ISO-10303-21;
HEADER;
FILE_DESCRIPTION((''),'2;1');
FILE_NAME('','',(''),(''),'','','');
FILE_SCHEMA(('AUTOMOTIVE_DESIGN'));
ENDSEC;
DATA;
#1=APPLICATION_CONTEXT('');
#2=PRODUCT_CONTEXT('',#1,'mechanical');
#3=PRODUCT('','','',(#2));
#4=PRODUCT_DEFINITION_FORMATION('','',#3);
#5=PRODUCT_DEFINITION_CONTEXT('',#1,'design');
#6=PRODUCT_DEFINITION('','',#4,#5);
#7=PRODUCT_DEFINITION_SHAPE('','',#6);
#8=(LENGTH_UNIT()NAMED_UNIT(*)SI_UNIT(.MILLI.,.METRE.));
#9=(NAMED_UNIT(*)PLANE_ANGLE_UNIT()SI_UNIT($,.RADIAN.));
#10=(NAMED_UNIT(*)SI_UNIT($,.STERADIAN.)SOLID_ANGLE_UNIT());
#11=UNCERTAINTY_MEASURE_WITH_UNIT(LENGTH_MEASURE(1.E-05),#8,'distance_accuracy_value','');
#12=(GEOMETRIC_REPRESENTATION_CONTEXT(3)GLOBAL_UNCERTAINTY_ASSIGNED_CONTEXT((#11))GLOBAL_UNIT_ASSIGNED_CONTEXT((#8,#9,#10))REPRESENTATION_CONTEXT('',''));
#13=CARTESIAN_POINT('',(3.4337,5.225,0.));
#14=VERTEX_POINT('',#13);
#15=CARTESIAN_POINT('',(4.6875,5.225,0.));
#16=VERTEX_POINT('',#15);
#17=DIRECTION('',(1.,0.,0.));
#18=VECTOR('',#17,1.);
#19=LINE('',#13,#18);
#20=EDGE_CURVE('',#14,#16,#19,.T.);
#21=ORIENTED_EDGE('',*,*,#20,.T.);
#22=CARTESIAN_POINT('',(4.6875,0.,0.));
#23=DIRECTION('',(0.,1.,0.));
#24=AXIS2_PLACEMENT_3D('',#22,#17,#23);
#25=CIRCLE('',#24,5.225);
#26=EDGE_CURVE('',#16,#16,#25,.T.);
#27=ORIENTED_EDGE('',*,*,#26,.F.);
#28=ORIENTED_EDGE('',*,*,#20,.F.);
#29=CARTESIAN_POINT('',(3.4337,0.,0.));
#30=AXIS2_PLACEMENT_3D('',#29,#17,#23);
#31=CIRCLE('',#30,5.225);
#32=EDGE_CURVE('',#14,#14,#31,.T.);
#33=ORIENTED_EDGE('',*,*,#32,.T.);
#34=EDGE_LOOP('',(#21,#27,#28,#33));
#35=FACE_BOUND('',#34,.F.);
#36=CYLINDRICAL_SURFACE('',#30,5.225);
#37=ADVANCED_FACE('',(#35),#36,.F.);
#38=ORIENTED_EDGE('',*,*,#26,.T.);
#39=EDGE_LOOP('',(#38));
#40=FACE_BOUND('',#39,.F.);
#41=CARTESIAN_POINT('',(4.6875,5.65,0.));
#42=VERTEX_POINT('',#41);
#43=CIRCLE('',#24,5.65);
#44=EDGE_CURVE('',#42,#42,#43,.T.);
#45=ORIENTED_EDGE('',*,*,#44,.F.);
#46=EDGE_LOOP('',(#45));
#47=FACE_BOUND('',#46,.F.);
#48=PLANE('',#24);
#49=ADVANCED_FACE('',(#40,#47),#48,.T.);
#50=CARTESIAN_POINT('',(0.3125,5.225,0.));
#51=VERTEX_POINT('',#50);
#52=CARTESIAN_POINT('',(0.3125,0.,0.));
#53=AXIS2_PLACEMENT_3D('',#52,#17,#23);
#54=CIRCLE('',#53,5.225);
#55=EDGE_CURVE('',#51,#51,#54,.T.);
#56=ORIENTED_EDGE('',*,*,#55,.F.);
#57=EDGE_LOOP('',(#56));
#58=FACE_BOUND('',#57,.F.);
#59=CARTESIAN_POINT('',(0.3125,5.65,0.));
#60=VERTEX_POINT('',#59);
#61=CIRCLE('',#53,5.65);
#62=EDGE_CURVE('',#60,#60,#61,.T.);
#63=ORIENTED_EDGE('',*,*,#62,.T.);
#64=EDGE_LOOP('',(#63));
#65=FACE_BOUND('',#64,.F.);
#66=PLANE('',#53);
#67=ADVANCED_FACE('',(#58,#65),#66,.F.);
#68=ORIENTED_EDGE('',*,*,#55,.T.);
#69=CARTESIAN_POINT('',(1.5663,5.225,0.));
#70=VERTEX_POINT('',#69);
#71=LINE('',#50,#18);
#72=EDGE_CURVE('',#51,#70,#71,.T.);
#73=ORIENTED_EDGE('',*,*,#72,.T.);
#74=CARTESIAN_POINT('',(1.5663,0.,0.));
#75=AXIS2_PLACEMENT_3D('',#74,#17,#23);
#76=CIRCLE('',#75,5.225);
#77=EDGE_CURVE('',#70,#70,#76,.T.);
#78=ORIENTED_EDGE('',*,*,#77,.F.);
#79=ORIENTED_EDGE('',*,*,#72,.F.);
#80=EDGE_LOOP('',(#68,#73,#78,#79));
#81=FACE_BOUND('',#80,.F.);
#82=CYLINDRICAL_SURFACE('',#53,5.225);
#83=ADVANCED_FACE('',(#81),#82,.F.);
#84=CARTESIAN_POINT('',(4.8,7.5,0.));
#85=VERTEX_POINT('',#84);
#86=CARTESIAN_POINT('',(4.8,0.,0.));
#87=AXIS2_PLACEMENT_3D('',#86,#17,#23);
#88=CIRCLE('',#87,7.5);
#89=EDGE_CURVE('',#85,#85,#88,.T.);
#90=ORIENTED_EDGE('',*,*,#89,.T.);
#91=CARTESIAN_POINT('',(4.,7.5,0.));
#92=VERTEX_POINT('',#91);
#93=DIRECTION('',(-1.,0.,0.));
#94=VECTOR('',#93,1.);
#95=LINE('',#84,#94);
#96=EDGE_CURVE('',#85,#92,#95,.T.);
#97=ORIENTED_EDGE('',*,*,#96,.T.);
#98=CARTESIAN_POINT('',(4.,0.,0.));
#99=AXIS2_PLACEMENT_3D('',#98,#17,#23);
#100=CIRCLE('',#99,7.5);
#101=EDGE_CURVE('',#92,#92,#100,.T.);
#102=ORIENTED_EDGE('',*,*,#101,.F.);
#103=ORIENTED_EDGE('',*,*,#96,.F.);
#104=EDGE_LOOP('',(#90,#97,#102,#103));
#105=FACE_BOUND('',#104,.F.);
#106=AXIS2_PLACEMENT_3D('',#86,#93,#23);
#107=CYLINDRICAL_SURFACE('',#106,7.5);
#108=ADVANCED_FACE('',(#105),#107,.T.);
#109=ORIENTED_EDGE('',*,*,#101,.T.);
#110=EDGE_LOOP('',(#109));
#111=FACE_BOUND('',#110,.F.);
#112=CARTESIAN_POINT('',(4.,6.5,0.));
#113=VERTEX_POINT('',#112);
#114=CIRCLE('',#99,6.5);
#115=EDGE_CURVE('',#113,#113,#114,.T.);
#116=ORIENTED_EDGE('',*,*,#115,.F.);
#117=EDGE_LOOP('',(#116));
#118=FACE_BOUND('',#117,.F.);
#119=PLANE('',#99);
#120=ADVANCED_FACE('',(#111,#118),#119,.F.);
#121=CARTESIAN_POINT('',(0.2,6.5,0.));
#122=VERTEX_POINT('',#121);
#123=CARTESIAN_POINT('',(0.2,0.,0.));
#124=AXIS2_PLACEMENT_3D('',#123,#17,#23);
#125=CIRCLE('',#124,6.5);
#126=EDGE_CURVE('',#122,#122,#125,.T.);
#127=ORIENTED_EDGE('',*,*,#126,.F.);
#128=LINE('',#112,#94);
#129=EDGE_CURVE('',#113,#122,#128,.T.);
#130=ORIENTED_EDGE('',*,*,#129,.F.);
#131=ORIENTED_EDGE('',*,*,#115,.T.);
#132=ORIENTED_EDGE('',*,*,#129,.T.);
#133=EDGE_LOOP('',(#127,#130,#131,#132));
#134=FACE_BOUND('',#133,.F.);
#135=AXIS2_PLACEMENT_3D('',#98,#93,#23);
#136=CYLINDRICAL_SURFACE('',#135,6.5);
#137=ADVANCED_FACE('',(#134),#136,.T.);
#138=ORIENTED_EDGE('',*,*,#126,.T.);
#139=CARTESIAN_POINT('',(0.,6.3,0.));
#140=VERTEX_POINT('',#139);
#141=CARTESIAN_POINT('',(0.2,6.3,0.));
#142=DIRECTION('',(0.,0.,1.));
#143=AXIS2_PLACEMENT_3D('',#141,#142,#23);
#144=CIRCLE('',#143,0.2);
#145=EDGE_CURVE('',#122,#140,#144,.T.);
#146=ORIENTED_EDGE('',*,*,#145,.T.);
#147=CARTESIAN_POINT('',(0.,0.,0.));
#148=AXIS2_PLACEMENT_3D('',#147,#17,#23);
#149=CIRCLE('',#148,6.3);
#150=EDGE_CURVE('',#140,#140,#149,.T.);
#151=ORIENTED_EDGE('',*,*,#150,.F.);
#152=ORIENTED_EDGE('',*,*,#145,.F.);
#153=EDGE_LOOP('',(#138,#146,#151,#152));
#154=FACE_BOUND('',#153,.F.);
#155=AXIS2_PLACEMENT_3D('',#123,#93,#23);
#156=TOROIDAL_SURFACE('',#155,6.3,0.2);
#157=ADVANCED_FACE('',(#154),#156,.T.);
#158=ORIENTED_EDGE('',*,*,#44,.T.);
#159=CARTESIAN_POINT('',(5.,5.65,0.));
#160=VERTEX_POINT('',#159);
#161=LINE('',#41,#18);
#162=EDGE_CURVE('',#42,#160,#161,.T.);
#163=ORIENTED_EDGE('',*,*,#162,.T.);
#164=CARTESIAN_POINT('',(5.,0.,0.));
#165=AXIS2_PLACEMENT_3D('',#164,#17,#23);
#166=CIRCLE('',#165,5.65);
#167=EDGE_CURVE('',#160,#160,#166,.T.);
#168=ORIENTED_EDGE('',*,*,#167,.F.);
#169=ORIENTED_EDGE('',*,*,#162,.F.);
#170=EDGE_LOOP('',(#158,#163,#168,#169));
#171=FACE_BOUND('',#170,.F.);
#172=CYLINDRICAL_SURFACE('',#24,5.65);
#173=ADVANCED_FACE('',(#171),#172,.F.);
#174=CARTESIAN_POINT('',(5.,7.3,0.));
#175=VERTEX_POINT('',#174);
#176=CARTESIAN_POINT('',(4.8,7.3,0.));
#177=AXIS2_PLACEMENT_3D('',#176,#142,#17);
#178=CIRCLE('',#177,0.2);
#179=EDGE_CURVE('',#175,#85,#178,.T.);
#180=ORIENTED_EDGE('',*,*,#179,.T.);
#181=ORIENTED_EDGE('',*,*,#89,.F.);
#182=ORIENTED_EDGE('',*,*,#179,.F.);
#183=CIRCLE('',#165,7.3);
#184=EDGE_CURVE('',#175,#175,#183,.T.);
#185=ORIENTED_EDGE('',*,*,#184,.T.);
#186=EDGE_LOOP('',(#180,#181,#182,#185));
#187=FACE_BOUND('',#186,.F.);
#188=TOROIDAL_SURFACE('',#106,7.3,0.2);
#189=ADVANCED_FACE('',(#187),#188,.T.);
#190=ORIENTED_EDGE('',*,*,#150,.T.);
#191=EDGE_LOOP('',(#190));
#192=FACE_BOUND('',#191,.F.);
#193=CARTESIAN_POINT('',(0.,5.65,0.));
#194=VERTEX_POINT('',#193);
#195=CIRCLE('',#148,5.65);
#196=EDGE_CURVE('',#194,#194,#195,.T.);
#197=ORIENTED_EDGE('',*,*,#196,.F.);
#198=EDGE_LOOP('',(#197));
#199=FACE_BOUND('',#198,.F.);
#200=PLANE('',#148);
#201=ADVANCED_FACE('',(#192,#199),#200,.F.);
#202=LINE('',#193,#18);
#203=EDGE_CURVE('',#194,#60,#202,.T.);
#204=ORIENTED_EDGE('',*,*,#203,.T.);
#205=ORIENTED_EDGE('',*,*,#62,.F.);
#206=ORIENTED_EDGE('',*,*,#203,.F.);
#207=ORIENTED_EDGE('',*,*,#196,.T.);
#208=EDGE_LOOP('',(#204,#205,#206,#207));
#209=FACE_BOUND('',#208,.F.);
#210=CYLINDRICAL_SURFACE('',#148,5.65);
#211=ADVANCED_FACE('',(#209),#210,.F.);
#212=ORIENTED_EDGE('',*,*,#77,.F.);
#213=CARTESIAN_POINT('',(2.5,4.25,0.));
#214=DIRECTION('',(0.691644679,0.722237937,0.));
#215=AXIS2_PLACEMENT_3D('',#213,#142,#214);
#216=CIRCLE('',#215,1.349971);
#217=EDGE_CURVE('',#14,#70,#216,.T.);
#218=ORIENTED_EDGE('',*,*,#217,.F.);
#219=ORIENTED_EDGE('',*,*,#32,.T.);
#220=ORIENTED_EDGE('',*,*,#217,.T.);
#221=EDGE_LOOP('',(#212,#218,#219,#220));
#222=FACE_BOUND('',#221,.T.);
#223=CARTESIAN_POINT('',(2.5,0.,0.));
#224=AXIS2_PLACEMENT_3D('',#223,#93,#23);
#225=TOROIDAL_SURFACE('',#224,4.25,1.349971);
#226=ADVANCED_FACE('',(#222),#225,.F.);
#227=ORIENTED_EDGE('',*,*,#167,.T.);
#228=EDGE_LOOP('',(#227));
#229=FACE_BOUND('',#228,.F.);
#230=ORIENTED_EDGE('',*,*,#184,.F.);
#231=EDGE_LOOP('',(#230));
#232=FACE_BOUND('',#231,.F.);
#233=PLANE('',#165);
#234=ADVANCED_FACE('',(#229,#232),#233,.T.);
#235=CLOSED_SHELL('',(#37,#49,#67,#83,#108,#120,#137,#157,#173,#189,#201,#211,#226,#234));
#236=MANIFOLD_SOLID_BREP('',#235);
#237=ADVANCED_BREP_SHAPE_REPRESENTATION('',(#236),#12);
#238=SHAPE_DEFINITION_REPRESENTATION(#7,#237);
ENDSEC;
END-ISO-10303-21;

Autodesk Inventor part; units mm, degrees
sketch "Sketch_1" plane through (0, 0, 0) normal (0, 0, 1) x (1, 0, 0)
  line L0 (5, 0) -> (0, 0)
  line L1 (0, 5.65) -> (0.3125, 5.65)
  line L2 (0.3125, 5.65) -> (0.3125, 5.225)
  line L3 (0.3125, 5.225) -> (1.5663, 5.225)
  arc A0 (3.4337, 5.225) -> (1.5663, 5.225) centre (2.5, 4.25) ccw
  line L4 (3.4337, 5.225) -> (4.6875, 5.225)
  line L5 (4.6875, 5.225) -> (4.6875, 5.65)
  line L6 (4.6875, 5.65) -> (5, 5.65)
  line L7 (5, 5.65) -> (5, 7.3)
  arc A1 (5, 7.3) -> (4.8, 7.5) centre (4.8, 7.3) ccw
  line L8 (4.8, 7.5) -> (4, 7.5)
  line L9 (4, 7.5) -> (4, 6.5)
  line L10 (4, 6.5) -> (0.2, 6.5)
  arc A2 (0.2, 6.5) -> (0, 6.3) centre (0.2, 6.3) ccw
  line L11 (0, 6.3) -> (0, 5.65)
revolve "Revolution1" add sketch "Sketch_1" angle 360 about axis through (5, 0, 0) along (1, 0, 0)
ref_plane "ip_st_1_XY" through (0, 0, 0) normal (1, 0, 0) x (0, 0, -1)
ref_plane "ip_st_1_YZ" through (0, 0, 0) normal (0, 0, -1) x (0, 1, 0)
ref_plane "ip_st_1_ZX" through (0, 0, 0) normal (0, 1, 0) x (1, 0, 0)
ref_plane "ip_st_2_XY" through (4.6875, 0, 0) normal (-1, 0, 0) x (0, 0, -1)
ref_plane "ip_st_2_YZ" through (4.6875, 0, 0) normal (0, 0, -1) x (0, -1, 0)
ref_plane "ip_st_2_ZX" through (4.6875, 0, 0) normal (0, -1, 0) x (-1, 0, 0)
properties part number "F624ZZ Outer Ring"
